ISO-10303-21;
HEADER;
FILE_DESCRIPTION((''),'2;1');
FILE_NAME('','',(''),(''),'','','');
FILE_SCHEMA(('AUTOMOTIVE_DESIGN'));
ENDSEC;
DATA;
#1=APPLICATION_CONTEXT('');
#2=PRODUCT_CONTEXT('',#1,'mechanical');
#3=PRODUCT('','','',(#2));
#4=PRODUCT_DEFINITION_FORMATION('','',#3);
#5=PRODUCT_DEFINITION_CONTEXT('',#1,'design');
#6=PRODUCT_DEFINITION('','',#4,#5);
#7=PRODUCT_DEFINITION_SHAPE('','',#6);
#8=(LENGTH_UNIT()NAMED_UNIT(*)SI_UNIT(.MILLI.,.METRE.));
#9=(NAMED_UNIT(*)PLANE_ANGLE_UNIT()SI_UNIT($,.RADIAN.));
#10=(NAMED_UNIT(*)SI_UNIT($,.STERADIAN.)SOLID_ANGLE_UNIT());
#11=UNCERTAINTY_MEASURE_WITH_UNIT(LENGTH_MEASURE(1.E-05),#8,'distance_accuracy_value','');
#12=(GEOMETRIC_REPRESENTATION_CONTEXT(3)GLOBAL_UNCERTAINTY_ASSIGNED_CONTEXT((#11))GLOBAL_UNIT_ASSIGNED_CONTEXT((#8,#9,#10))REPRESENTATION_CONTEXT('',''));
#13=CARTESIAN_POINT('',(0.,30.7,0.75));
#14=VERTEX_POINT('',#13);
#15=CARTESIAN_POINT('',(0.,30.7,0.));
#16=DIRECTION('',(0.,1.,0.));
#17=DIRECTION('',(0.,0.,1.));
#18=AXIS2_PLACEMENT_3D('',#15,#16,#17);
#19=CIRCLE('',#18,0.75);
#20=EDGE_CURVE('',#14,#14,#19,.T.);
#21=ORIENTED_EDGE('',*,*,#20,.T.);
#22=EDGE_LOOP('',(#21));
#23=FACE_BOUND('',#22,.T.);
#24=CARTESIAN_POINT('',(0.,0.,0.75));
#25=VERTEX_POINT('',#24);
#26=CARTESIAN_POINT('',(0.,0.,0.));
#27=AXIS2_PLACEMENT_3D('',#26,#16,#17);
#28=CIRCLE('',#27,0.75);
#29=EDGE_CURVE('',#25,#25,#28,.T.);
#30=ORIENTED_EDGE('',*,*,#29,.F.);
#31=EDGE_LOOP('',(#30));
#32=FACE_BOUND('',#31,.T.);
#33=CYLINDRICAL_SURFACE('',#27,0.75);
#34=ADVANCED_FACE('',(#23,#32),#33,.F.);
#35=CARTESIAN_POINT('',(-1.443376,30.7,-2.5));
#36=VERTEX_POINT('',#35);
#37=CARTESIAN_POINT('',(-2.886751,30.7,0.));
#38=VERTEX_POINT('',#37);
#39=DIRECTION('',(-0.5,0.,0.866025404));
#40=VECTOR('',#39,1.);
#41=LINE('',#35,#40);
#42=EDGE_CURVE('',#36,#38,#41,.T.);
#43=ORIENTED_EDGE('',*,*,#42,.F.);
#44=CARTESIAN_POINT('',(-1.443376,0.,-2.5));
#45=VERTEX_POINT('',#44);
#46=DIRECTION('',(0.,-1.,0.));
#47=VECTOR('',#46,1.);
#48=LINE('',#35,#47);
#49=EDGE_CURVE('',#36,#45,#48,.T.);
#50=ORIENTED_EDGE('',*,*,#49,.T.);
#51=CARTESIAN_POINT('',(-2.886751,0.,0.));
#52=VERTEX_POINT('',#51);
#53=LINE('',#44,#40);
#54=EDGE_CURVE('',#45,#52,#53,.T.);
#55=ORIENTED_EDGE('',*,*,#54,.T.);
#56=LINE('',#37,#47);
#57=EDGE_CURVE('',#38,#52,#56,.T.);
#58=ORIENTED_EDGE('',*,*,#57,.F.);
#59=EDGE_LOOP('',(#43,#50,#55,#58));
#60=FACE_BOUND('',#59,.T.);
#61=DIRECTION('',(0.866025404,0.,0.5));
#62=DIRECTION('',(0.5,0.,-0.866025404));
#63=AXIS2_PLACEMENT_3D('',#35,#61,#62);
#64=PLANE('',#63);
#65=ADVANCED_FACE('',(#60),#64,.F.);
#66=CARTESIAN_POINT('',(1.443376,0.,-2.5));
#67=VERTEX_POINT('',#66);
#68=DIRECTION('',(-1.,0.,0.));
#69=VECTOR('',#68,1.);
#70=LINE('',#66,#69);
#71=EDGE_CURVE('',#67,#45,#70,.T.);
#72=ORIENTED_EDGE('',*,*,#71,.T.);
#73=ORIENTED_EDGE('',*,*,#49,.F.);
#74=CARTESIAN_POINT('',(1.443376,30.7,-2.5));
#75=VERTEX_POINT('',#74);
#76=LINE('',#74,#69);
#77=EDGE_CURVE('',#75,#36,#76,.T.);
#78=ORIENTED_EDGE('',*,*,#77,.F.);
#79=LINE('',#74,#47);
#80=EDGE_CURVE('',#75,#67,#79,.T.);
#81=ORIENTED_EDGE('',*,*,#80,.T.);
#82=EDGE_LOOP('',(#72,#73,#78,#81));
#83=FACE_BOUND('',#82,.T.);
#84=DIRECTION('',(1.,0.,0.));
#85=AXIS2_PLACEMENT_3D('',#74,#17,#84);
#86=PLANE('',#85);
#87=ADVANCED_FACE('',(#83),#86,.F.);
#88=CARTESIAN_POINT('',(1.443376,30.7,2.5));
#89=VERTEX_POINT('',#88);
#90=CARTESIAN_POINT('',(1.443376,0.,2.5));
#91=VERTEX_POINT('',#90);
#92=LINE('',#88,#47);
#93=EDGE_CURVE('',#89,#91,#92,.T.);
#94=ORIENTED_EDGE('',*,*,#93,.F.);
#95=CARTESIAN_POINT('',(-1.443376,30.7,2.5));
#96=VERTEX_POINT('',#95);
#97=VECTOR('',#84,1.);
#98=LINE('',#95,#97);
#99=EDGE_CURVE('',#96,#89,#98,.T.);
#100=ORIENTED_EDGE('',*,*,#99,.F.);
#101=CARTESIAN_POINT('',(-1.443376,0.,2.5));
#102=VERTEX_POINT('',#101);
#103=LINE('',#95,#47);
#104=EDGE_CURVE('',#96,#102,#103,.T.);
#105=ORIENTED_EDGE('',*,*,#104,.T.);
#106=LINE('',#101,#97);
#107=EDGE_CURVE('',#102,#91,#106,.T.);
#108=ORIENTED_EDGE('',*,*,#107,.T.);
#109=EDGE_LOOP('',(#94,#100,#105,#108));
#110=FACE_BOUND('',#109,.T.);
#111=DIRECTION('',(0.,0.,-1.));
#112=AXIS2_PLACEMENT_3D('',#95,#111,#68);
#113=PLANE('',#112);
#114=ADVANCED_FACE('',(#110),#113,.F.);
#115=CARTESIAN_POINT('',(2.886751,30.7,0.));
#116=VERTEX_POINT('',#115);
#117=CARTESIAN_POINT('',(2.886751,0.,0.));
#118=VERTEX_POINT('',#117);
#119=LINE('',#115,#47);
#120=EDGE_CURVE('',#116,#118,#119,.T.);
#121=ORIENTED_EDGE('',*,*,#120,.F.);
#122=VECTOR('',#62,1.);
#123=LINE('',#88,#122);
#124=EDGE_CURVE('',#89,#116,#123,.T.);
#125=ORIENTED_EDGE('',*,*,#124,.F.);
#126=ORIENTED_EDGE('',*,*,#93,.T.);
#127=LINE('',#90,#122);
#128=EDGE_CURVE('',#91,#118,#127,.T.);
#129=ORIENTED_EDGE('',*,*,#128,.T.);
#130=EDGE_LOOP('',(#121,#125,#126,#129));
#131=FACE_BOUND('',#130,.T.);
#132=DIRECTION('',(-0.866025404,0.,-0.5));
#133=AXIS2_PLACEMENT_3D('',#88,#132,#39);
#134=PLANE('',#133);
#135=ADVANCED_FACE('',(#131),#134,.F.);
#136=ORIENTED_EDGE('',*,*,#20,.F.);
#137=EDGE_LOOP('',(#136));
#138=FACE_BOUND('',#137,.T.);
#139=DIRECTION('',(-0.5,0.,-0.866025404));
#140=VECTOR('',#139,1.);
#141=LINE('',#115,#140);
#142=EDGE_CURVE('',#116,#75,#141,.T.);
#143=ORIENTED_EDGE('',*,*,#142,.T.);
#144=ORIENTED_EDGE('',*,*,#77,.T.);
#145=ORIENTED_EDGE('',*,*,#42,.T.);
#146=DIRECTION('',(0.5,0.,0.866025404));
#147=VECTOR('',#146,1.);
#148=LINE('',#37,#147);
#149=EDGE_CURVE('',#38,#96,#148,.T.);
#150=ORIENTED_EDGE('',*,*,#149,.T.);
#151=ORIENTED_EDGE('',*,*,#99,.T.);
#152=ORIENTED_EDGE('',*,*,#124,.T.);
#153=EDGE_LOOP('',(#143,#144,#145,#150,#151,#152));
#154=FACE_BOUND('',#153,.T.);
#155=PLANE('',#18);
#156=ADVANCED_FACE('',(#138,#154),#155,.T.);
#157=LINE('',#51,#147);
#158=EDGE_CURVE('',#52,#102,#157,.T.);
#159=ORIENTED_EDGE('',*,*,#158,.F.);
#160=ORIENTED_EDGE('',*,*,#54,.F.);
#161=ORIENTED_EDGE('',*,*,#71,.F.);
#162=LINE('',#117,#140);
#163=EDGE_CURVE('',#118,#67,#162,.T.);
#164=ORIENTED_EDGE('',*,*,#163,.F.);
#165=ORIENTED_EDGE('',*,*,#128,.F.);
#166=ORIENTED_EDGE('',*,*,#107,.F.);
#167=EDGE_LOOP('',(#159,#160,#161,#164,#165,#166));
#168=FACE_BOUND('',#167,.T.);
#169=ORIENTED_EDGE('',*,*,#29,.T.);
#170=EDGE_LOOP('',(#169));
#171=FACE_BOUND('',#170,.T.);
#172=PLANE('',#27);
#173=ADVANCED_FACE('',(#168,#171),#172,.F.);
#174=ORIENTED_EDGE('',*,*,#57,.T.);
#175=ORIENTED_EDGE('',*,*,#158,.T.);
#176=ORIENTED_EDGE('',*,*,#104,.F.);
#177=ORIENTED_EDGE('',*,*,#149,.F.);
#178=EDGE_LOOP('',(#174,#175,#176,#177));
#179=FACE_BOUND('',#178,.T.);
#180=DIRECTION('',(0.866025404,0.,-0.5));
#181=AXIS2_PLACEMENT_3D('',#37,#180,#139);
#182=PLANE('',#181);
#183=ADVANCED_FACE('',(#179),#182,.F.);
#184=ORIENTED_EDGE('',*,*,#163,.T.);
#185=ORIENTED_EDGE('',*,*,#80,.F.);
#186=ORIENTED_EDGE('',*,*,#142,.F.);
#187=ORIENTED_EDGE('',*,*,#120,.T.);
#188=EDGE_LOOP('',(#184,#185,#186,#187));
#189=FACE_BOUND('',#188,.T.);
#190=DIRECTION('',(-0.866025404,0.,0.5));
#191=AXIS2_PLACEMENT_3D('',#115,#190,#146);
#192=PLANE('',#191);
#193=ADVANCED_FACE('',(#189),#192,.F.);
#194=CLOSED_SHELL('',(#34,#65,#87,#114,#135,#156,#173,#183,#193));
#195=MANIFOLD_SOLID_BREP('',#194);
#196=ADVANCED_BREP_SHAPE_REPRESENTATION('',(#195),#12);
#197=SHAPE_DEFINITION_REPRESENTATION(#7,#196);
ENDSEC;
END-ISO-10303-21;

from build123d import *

# Parameters (mm, degrees)
EXTRUDE_1_DEPTH     = 30.7
SKETCH_2_R          = 0.75
CUT_EXTRUDE_1_DEPTH = 31.936601839


with BuildPart() as part:
    # Эскиз1 → Бобышка-Вытянуть1 (new body)
    with BuildSketch(Plane(origin=(0, 0, 0), x_dir=(1, 0, 0), z_dir=(0, 1, 0))):
        Polygon((2.886751346, 0), (1.443375673, 2.5), (-1.443375673, 2.5), (-2.886751346, 0), (-1.443375673, -2.5), (1.443375673, -2.5), align=None)
    extrude(amount=EXTRUDE_1_DEPTH)

    # Эскиз2 → Вырез-Вытянуть1 (cut, through all)
    with BuildSketch(Plane(origin=(0, 30.7, 0), x_dir=(1, 0, 0), z_dir=(0, 1, 0))):
        with Locations(Location((0, 0, 0), (0, 0, 270))):
            Circle(SKETCH_2_R)
    extrude(amount=-CUT_EXTRUDE_1_DEPTH, mode=Mode.SUBTRACT)


solid = part.part
